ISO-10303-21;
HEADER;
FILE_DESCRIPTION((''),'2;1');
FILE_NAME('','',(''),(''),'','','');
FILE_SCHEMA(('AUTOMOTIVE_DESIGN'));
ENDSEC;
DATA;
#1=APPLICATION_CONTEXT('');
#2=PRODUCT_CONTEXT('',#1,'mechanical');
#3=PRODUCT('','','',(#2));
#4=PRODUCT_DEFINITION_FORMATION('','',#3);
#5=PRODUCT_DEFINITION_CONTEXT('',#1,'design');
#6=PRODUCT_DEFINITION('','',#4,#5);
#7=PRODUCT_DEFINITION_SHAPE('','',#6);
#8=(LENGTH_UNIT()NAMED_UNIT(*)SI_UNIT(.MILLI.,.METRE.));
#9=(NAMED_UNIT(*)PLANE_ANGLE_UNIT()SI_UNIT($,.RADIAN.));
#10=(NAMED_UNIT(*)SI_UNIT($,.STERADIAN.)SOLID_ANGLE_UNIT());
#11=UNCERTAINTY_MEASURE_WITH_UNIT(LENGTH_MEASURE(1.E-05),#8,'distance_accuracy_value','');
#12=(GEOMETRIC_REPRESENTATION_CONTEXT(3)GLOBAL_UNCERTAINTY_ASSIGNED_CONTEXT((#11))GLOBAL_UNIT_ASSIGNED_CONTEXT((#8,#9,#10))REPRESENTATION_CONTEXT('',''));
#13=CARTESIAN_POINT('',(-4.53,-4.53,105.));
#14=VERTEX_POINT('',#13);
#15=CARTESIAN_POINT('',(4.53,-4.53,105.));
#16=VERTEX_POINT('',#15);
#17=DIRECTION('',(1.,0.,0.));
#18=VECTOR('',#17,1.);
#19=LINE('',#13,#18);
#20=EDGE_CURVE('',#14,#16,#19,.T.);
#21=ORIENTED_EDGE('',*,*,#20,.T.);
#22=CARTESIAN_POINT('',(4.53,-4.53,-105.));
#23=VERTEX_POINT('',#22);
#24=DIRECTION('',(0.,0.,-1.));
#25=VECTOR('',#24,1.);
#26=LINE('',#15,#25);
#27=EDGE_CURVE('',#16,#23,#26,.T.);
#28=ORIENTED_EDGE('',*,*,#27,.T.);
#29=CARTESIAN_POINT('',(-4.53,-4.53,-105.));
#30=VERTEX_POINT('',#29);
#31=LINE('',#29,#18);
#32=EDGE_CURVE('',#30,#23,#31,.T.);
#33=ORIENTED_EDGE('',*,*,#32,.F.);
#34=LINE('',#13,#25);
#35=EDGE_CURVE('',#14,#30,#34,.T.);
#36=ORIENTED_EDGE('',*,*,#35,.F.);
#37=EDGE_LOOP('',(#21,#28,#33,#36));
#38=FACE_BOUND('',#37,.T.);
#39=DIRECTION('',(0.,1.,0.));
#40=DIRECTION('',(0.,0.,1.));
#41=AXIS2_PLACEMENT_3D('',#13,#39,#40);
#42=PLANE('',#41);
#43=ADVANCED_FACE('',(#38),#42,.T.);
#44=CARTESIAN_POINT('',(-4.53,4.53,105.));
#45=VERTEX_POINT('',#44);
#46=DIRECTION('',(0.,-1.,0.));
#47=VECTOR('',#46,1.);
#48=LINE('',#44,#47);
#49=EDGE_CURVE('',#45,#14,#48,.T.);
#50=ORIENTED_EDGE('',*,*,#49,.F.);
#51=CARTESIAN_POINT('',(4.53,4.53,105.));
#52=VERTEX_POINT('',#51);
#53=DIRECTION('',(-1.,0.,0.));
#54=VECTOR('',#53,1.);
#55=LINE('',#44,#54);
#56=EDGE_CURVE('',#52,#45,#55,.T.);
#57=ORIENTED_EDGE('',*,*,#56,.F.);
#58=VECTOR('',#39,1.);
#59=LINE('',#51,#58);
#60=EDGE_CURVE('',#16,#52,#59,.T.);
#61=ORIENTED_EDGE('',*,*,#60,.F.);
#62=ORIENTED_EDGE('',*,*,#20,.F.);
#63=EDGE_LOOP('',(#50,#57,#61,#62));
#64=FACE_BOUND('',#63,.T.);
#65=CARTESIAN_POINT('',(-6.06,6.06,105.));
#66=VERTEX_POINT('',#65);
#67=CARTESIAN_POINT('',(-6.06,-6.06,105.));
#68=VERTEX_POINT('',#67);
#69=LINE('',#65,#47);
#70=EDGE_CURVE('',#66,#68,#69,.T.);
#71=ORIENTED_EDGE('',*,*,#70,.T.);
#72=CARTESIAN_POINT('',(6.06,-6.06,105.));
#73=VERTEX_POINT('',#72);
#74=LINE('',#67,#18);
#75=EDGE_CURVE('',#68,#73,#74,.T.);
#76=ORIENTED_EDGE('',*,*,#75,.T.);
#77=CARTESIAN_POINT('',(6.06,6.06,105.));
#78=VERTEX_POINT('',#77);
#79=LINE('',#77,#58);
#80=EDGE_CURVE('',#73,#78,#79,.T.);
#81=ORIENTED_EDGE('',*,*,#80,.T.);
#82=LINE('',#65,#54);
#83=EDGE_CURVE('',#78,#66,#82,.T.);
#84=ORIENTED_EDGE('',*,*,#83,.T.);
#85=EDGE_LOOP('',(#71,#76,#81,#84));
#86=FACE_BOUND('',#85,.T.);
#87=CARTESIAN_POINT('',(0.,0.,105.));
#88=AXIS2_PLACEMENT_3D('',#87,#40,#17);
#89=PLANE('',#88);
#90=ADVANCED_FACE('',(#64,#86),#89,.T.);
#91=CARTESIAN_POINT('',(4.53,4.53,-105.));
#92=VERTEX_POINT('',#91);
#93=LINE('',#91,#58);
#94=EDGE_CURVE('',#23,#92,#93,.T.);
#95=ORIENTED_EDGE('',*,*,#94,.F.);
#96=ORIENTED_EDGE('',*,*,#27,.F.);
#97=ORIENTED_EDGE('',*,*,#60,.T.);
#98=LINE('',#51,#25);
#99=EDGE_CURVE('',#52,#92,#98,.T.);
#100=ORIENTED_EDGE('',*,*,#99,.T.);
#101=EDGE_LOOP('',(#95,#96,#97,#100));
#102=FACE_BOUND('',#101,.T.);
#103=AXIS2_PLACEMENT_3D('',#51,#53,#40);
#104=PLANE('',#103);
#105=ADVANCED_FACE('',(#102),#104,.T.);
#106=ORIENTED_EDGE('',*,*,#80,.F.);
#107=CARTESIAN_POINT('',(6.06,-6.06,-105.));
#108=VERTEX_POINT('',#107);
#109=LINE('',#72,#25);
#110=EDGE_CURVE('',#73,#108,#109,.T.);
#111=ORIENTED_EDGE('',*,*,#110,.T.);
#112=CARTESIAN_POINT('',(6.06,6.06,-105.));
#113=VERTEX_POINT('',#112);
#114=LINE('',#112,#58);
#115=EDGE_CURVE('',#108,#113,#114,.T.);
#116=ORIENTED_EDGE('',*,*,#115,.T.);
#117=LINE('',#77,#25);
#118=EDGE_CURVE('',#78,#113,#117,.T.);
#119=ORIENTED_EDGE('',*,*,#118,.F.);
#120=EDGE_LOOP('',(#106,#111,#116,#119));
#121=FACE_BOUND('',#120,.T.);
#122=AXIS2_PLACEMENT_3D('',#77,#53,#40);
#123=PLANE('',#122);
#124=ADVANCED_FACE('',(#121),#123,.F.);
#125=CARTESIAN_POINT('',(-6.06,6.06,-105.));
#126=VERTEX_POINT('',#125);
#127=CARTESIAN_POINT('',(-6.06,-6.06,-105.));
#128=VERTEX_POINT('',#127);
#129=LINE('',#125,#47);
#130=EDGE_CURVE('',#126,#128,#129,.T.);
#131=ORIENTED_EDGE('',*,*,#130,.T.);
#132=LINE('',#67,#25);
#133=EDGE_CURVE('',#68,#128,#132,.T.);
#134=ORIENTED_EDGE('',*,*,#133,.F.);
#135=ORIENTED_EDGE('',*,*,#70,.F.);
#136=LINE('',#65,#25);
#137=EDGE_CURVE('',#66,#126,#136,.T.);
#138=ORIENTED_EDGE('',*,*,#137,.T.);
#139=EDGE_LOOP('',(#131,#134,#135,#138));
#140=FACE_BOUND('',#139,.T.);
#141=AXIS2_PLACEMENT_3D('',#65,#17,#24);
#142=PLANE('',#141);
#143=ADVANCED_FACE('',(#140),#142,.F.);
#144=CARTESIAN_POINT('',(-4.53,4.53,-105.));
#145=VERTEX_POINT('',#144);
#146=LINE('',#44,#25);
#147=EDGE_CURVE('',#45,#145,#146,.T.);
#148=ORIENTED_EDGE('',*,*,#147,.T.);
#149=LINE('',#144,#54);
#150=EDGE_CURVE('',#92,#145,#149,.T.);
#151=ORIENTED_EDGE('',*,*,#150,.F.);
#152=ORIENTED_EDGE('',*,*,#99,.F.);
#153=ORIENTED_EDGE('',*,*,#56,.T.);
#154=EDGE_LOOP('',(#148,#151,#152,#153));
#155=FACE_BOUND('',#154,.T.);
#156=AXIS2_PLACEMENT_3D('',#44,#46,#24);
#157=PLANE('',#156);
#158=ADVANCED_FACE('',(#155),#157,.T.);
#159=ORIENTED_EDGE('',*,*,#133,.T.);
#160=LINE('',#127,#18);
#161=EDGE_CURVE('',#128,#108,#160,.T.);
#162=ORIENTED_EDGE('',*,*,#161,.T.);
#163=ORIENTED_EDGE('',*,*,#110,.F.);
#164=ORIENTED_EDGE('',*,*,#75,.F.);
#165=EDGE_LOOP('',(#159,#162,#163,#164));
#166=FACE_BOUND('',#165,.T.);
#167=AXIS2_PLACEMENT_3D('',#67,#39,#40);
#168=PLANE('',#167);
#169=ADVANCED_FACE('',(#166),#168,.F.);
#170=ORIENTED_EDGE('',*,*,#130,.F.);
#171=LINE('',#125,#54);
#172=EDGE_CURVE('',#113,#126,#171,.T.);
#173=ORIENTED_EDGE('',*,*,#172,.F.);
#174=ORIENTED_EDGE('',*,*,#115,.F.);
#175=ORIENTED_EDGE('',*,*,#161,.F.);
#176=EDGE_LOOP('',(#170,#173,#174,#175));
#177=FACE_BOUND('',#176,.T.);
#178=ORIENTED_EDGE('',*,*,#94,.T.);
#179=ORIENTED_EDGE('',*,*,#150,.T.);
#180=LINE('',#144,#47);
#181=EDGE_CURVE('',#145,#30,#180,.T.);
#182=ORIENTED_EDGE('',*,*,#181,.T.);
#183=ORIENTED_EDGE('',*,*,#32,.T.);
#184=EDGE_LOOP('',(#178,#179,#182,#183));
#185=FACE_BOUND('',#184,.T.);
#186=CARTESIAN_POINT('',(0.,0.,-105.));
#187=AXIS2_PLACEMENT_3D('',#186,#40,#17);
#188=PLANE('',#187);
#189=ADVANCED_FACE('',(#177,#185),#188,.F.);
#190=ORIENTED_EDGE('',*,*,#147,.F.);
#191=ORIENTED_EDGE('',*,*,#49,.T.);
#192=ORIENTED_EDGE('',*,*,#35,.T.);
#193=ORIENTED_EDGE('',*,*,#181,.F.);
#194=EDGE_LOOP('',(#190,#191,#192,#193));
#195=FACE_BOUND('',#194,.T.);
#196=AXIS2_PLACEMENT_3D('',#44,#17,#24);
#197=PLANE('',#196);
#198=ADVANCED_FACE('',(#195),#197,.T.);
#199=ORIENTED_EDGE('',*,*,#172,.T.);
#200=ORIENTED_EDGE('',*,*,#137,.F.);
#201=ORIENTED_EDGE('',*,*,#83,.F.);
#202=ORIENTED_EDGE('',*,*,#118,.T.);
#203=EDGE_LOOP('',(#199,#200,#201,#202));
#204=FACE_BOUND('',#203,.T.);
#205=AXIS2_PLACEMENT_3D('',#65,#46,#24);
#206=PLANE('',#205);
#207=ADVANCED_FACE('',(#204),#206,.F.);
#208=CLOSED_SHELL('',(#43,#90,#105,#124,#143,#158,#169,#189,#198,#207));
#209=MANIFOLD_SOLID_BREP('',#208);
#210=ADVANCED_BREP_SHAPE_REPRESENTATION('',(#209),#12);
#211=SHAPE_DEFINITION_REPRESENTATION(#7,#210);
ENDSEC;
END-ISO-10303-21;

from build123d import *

# Parameters (mm, degrees)
SKETCH1_W           = 12.12
SKETCH1_H           = 12.12
SKETCH1_W_2         = 9.06
SKETCH1_H_2         = 9.06
BOSS_EXTRUDE1_DEPTH = 105


with BuildPart() as part:
    # Sketch1 → Boss-Extrude1 (new, symmetric)
    with BuildSketch(Plane.XY):
        Rectangle(SKETCH1_W, SKETCH1_H)
        Rectangle(SKETCH1_W_2, SKETCH1_H_2, mode=Mode.SUBTRACT)
    extrude(amount=BOSS_EXTRUDE1_DEPTH, both=True)


solid = part.part
